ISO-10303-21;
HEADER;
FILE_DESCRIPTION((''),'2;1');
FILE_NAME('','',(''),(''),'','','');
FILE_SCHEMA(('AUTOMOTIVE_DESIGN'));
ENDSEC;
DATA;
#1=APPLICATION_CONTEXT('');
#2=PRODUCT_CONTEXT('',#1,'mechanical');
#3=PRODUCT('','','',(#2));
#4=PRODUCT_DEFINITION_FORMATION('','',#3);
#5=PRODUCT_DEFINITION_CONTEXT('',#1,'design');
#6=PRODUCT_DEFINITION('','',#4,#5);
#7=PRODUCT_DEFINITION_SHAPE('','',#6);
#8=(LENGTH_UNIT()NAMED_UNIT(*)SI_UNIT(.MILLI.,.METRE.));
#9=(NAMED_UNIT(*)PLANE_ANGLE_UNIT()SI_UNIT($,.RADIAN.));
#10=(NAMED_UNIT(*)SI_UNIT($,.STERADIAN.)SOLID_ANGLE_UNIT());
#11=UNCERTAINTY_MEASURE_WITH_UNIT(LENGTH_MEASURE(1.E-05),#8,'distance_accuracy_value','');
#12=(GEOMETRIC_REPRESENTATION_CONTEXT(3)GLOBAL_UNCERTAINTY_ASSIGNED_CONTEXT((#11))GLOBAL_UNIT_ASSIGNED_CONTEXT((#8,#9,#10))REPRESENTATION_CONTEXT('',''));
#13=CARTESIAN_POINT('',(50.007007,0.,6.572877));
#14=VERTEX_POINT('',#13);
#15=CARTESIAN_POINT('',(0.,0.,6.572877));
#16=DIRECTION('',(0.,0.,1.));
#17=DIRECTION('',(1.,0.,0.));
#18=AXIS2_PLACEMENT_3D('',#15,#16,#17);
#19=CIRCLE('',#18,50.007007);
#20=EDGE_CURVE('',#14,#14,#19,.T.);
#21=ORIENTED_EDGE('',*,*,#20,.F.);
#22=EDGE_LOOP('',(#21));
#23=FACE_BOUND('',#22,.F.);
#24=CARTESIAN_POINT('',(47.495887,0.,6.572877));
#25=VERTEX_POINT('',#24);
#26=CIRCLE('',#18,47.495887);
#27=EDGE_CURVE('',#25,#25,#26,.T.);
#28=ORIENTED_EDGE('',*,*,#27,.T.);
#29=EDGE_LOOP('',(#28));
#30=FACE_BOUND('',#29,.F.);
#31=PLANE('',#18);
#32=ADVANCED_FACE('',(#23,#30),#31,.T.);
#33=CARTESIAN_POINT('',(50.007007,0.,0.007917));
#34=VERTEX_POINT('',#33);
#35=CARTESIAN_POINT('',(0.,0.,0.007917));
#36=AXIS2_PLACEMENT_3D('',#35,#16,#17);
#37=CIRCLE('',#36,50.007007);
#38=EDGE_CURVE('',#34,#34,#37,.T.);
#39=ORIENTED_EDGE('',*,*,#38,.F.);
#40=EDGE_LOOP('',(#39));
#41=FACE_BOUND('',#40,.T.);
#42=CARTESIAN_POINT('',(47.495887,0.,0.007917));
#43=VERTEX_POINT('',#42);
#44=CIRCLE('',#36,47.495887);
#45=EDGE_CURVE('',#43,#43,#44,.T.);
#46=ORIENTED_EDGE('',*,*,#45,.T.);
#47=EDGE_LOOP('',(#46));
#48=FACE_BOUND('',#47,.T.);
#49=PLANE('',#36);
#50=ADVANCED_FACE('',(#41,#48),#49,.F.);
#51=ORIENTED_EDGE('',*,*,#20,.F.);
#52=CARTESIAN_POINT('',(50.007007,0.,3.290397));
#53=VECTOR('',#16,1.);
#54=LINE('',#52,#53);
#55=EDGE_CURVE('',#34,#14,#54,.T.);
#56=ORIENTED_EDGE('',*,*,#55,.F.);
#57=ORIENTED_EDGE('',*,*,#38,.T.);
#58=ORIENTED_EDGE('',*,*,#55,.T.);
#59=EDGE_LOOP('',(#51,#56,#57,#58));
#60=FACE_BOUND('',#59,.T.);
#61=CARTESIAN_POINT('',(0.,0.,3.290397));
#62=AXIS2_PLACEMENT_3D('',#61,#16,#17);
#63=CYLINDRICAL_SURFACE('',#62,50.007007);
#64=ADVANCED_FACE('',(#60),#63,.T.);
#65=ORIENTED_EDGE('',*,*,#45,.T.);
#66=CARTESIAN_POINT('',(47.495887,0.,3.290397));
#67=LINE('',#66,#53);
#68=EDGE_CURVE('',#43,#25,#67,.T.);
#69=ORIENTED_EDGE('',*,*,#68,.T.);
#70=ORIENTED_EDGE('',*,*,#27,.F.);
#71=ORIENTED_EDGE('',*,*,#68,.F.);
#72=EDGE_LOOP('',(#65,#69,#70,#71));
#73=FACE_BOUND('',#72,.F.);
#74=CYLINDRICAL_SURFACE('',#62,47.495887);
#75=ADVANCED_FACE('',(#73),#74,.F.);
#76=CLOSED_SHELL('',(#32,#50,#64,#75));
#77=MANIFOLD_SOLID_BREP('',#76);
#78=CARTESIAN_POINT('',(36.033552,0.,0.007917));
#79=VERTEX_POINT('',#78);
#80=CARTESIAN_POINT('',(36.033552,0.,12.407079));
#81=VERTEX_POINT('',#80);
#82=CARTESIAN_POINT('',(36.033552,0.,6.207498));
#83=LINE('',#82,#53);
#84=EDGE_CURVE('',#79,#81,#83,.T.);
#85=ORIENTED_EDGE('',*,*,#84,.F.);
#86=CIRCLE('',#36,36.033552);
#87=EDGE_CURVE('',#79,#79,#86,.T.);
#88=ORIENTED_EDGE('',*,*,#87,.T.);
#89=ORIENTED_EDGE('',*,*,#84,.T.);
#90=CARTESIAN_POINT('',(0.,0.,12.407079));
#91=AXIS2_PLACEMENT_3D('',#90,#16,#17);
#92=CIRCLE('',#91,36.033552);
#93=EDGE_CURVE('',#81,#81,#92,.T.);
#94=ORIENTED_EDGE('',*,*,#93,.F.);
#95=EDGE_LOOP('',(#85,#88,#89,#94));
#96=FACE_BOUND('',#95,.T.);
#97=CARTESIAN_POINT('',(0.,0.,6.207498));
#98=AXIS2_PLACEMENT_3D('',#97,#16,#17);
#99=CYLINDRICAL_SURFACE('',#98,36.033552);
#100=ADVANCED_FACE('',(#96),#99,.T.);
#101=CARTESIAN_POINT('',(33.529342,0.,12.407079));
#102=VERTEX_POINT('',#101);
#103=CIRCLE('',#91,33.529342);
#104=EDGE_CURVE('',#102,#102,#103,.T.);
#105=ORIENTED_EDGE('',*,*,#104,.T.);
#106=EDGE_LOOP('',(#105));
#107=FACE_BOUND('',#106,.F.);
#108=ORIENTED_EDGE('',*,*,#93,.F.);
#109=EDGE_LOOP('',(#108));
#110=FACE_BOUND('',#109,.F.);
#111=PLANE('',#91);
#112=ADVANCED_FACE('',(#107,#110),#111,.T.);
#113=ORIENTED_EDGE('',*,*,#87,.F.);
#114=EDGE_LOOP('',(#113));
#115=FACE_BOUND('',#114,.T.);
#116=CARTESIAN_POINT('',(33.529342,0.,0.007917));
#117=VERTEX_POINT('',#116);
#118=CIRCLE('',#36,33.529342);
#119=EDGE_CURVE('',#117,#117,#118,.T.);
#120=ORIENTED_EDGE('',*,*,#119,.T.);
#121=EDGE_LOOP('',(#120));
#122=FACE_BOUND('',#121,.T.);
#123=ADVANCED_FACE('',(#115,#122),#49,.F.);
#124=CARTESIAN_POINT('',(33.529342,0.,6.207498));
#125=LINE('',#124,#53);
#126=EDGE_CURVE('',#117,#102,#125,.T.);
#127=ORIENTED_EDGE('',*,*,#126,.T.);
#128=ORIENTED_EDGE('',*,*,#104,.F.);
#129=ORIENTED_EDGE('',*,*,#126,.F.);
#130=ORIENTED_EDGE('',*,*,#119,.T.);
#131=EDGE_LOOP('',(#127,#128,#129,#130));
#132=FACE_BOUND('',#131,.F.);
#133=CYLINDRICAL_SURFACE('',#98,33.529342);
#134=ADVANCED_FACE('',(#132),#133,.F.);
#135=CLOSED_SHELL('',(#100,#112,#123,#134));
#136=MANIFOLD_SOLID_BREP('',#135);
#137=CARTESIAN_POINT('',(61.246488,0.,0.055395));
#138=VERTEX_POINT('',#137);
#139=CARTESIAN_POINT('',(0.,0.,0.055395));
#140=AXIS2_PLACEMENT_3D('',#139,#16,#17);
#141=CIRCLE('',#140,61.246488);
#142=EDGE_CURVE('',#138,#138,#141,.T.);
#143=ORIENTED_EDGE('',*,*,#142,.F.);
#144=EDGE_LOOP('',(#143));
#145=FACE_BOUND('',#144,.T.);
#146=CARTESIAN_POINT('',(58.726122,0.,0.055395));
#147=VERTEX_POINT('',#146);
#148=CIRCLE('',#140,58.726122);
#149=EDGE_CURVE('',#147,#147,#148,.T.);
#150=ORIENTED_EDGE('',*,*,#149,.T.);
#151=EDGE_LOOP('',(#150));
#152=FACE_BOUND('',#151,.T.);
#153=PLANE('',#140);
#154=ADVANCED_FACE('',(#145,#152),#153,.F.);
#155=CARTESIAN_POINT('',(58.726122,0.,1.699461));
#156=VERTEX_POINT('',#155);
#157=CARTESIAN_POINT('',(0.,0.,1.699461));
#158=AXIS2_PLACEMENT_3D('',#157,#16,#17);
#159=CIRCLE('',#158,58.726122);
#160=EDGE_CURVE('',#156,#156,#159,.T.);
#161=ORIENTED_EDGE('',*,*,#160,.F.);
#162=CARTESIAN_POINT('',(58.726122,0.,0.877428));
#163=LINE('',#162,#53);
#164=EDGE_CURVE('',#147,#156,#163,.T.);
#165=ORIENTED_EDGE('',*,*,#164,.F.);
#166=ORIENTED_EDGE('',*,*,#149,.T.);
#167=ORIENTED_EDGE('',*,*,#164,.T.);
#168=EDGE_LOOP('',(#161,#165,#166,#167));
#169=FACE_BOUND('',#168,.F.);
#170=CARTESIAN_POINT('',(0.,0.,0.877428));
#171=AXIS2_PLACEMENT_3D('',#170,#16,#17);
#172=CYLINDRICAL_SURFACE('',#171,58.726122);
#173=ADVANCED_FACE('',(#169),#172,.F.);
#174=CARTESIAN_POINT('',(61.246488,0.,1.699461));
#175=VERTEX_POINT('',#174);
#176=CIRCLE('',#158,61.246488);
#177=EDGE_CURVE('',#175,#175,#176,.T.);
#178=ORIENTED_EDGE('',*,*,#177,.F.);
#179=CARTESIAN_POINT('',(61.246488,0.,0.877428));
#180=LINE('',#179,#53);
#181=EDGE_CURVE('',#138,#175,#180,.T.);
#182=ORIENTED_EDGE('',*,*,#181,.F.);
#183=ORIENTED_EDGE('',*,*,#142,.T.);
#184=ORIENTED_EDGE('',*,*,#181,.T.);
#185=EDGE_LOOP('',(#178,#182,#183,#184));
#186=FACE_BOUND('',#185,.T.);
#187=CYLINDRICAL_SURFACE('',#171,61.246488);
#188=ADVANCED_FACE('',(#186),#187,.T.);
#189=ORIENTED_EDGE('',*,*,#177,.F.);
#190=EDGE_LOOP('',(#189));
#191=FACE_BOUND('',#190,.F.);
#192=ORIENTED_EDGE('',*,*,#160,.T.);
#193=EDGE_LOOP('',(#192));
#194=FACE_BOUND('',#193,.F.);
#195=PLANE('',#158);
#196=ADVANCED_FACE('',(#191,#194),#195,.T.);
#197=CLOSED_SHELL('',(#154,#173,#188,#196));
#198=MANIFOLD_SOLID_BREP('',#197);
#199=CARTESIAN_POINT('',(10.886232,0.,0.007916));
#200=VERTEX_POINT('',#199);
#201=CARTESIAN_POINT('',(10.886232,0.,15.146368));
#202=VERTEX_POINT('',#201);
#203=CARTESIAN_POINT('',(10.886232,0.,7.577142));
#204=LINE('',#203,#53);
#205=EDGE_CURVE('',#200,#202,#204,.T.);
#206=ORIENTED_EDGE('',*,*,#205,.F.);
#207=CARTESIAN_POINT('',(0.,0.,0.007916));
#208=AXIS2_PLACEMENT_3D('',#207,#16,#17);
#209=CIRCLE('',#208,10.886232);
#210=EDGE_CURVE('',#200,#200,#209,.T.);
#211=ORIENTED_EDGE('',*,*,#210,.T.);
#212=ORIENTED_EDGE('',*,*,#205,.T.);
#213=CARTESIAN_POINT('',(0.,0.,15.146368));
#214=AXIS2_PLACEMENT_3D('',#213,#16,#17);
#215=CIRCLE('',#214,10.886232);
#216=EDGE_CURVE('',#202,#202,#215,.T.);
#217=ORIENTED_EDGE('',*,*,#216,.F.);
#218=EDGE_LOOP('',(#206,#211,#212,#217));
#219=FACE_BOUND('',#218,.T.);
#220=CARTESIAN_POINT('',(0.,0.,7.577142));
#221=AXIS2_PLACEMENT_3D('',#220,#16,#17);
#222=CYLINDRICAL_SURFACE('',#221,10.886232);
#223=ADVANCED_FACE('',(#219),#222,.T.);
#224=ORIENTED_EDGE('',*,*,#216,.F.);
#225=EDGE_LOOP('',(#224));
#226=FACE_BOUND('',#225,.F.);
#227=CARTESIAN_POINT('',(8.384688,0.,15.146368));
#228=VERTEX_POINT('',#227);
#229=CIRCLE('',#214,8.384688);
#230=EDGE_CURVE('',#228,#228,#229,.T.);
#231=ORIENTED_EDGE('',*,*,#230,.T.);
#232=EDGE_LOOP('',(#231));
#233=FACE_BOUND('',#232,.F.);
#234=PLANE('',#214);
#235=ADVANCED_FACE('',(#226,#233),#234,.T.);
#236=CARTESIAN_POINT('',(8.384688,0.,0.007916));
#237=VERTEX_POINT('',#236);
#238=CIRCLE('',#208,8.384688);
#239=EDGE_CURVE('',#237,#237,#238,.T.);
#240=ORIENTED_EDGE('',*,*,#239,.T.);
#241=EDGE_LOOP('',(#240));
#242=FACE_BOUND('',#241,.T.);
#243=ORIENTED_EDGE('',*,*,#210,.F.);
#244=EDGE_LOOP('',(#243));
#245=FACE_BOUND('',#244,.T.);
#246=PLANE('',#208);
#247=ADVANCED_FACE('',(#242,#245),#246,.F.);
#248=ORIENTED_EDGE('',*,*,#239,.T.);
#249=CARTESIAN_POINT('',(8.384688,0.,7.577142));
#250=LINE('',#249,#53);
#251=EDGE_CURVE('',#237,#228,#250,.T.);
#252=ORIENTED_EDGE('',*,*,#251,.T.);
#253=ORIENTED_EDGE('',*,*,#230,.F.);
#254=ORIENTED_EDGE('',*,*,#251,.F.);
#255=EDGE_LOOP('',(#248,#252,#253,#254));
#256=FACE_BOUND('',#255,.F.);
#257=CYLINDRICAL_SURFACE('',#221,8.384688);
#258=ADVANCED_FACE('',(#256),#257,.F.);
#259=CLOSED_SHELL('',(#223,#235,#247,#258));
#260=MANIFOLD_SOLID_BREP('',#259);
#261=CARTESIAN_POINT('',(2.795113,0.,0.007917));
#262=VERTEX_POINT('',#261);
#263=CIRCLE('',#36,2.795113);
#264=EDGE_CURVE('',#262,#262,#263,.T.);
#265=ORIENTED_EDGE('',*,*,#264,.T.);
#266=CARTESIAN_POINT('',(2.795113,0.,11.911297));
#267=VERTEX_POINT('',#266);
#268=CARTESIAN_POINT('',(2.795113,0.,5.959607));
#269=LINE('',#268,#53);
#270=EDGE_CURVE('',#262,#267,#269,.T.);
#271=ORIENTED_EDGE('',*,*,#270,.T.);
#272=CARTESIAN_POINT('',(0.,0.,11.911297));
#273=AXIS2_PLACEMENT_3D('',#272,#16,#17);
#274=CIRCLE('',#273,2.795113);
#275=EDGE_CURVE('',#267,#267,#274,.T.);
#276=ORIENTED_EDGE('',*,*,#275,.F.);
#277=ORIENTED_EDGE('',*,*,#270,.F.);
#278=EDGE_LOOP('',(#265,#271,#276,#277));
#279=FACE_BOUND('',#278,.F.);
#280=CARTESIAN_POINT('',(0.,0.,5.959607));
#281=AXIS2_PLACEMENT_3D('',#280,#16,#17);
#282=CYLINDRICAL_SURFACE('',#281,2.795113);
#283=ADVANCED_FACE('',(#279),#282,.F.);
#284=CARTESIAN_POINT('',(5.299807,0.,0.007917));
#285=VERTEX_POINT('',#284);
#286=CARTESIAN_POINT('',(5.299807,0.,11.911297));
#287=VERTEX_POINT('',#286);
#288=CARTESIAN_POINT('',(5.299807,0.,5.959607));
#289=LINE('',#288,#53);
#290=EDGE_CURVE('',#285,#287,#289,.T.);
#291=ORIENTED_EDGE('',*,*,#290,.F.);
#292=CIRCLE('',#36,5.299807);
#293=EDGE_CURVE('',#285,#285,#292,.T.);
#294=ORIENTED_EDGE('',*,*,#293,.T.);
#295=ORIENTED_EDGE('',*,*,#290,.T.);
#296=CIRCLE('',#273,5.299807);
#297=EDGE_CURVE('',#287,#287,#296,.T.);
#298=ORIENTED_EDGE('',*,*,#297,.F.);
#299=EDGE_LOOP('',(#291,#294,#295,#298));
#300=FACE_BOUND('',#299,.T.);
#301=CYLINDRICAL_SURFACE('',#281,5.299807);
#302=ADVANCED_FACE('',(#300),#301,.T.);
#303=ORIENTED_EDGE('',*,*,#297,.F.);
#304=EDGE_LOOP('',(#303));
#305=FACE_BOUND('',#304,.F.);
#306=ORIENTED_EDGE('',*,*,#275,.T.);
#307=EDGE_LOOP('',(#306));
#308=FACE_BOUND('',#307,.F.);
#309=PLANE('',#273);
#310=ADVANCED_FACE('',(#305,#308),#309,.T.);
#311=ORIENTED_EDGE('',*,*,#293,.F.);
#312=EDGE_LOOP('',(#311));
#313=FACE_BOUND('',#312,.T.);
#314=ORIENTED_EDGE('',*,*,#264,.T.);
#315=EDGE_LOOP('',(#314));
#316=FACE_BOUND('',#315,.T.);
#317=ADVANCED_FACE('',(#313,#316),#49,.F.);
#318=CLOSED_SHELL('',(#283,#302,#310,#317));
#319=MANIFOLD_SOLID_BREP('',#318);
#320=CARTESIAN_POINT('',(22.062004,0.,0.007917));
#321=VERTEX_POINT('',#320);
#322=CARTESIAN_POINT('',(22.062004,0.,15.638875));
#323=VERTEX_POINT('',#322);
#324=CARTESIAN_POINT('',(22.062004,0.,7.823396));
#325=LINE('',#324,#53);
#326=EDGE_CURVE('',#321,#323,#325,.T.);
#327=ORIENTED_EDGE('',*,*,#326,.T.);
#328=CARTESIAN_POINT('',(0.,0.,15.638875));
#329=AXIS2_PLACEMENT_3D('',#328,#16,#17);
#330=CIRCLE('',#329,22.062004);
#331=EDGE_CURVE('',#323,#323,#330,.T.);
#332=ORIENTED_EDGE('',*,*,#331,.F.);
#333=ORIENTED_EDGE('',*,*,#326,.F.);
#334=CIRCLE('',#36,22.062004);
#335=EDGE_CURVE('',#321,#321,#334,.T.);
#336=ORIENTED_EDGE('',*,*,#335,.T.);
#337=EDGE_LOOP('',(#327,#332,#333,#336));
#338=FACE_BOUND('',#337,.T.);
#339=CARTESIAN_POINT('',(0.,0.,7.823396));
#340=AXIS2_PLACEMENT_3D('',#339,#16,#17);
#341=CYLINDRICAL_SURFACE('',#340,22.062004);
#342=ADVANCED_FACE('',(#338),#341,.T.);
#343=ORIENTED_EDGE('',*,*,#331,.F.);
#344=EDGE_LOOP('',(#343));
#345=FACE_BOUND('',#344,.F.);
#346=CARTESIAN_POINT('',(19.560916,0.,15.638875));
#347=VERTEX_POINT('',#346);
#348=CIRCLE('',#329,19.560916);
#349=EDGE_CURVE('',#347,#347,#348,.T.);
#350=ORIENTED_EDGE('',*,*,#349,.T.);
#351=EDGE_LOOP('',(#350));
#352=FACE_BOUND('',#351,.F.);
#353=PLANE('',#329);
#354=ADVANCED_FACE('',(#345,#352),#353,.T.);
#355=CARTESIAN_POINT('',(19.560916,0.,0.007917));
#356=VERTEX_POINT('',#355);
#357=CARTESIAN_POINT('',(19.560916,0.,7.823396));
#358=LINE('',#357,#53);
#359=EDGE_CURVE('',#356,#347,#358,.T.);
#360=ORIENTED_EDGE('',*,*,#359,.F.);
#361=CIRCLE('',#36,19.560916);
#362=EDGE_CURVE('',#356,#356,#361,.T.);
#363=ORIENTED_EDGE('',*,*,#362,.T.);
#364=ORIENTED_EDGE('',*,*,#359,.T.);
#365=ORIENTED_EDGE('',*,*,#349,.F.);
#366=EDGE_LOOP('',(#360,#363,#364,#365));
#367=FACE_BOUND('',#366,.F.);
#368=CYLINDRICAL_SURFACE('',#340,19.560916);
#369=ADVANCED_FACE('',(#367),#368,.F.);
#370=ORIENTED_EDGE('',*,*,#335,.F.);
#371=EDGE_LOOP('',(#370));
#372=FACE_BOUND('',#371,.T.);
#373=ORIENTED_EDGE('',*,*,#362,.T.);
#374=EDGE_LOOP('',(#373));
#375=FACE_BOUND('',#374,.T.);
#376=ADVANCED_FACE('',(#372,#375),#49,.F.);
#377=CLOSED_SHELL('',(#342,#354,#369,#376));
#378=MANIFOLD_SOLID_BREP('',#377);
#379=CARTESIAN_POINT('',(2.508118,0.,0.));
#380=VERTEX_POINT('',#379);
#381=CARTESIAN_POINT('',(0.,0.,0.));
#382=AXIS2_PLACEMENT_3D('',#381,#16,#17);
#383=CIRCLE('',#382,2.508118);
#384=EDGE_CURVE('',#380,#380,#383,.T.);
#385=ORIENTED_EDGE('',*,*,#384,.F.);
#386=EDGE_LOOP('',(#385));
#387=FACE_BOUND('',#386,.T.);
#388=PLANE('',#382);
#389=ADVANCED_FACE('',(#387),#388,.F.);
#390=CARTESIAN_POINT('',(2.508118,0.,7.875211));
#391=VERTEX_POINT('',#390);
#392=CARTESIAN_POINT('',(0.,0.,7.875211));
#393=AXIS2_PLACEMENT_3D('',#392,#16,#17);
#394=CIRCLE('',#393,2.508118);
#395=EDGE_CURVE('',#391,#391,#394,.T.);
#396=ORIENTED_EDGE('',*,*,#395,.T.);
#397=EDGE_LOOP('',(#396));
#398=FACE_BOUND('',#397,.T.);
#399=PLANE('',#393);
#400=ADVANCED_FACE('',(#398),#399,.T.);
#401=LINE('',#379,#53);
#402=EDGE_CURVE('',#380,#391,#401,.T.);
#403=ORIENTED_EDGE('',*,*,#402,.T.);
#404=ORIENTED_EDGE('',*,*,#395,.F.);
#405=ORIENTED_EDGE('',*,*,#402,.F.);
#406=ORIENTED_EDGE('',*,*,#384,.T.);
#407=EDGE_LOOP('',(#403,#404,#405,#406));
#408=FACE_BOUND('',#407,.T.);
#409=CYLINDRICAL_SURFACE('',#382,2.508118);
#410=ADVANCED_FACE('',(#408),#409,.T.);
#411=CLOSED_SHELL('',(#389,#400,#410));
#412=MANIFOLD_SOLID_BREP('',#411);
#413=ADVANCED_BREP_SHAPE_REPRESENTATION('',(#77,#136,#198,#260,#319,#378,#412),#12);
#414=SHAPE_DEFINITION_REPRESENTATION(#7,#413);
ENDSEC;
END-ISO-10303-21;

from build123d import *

# Parameters (mm, degrees)
F0_W   = 2.504694
F0_H   = 11.90338
F0_W_2 = 2.501544
F0_H_2 = 15.138451
F0_W_3 = 2.501088
F0_H_3 = 15.630957
F0_W_4 = 2.504211
F0_H_4 = 12.399162
F0_W_5 = 2.51112
F0_H_5 = 6.56496
F0_W_6 = 2.520366
F0_H_6 = 1.644066


with BuildPart() as f1:
    # F0 (on Front) → F1 (revolve)
    with BuildSketch(Plane.XZ):
        Polygon((0.010583, 7.875211), (0, 7.875211), (0, 0), (2.508118, 0), (2.508118, 0.007917), (2.508118, 7.875211), align=None)
        with Locations((4.04746, 5.959607)):
            Rectangle(F0_W, F0_H)
        with Locations((9.63546, 7.577142)):
            Rectangle(F0_W_2, F0_H_2)
        with Locations((20.81146, 7.823396)):
            Rectangle(F0_W_3, F0_H_3)
        with Locations((34.781447, 6.207498)):
            Rectangle(F0_W_4, F0_H_4)
        with Locations((48.751447, 3.290397)):
            Rectangle(F0_W_5, F0_H_5)
        with Locations((59.986305, 0.877428)):
            Rectangle(F0_W_6, F0_H_6)
    revolve(axis=Axis((0, 0, 10.8839), (0, 0, 1)))


solid = f1.part
